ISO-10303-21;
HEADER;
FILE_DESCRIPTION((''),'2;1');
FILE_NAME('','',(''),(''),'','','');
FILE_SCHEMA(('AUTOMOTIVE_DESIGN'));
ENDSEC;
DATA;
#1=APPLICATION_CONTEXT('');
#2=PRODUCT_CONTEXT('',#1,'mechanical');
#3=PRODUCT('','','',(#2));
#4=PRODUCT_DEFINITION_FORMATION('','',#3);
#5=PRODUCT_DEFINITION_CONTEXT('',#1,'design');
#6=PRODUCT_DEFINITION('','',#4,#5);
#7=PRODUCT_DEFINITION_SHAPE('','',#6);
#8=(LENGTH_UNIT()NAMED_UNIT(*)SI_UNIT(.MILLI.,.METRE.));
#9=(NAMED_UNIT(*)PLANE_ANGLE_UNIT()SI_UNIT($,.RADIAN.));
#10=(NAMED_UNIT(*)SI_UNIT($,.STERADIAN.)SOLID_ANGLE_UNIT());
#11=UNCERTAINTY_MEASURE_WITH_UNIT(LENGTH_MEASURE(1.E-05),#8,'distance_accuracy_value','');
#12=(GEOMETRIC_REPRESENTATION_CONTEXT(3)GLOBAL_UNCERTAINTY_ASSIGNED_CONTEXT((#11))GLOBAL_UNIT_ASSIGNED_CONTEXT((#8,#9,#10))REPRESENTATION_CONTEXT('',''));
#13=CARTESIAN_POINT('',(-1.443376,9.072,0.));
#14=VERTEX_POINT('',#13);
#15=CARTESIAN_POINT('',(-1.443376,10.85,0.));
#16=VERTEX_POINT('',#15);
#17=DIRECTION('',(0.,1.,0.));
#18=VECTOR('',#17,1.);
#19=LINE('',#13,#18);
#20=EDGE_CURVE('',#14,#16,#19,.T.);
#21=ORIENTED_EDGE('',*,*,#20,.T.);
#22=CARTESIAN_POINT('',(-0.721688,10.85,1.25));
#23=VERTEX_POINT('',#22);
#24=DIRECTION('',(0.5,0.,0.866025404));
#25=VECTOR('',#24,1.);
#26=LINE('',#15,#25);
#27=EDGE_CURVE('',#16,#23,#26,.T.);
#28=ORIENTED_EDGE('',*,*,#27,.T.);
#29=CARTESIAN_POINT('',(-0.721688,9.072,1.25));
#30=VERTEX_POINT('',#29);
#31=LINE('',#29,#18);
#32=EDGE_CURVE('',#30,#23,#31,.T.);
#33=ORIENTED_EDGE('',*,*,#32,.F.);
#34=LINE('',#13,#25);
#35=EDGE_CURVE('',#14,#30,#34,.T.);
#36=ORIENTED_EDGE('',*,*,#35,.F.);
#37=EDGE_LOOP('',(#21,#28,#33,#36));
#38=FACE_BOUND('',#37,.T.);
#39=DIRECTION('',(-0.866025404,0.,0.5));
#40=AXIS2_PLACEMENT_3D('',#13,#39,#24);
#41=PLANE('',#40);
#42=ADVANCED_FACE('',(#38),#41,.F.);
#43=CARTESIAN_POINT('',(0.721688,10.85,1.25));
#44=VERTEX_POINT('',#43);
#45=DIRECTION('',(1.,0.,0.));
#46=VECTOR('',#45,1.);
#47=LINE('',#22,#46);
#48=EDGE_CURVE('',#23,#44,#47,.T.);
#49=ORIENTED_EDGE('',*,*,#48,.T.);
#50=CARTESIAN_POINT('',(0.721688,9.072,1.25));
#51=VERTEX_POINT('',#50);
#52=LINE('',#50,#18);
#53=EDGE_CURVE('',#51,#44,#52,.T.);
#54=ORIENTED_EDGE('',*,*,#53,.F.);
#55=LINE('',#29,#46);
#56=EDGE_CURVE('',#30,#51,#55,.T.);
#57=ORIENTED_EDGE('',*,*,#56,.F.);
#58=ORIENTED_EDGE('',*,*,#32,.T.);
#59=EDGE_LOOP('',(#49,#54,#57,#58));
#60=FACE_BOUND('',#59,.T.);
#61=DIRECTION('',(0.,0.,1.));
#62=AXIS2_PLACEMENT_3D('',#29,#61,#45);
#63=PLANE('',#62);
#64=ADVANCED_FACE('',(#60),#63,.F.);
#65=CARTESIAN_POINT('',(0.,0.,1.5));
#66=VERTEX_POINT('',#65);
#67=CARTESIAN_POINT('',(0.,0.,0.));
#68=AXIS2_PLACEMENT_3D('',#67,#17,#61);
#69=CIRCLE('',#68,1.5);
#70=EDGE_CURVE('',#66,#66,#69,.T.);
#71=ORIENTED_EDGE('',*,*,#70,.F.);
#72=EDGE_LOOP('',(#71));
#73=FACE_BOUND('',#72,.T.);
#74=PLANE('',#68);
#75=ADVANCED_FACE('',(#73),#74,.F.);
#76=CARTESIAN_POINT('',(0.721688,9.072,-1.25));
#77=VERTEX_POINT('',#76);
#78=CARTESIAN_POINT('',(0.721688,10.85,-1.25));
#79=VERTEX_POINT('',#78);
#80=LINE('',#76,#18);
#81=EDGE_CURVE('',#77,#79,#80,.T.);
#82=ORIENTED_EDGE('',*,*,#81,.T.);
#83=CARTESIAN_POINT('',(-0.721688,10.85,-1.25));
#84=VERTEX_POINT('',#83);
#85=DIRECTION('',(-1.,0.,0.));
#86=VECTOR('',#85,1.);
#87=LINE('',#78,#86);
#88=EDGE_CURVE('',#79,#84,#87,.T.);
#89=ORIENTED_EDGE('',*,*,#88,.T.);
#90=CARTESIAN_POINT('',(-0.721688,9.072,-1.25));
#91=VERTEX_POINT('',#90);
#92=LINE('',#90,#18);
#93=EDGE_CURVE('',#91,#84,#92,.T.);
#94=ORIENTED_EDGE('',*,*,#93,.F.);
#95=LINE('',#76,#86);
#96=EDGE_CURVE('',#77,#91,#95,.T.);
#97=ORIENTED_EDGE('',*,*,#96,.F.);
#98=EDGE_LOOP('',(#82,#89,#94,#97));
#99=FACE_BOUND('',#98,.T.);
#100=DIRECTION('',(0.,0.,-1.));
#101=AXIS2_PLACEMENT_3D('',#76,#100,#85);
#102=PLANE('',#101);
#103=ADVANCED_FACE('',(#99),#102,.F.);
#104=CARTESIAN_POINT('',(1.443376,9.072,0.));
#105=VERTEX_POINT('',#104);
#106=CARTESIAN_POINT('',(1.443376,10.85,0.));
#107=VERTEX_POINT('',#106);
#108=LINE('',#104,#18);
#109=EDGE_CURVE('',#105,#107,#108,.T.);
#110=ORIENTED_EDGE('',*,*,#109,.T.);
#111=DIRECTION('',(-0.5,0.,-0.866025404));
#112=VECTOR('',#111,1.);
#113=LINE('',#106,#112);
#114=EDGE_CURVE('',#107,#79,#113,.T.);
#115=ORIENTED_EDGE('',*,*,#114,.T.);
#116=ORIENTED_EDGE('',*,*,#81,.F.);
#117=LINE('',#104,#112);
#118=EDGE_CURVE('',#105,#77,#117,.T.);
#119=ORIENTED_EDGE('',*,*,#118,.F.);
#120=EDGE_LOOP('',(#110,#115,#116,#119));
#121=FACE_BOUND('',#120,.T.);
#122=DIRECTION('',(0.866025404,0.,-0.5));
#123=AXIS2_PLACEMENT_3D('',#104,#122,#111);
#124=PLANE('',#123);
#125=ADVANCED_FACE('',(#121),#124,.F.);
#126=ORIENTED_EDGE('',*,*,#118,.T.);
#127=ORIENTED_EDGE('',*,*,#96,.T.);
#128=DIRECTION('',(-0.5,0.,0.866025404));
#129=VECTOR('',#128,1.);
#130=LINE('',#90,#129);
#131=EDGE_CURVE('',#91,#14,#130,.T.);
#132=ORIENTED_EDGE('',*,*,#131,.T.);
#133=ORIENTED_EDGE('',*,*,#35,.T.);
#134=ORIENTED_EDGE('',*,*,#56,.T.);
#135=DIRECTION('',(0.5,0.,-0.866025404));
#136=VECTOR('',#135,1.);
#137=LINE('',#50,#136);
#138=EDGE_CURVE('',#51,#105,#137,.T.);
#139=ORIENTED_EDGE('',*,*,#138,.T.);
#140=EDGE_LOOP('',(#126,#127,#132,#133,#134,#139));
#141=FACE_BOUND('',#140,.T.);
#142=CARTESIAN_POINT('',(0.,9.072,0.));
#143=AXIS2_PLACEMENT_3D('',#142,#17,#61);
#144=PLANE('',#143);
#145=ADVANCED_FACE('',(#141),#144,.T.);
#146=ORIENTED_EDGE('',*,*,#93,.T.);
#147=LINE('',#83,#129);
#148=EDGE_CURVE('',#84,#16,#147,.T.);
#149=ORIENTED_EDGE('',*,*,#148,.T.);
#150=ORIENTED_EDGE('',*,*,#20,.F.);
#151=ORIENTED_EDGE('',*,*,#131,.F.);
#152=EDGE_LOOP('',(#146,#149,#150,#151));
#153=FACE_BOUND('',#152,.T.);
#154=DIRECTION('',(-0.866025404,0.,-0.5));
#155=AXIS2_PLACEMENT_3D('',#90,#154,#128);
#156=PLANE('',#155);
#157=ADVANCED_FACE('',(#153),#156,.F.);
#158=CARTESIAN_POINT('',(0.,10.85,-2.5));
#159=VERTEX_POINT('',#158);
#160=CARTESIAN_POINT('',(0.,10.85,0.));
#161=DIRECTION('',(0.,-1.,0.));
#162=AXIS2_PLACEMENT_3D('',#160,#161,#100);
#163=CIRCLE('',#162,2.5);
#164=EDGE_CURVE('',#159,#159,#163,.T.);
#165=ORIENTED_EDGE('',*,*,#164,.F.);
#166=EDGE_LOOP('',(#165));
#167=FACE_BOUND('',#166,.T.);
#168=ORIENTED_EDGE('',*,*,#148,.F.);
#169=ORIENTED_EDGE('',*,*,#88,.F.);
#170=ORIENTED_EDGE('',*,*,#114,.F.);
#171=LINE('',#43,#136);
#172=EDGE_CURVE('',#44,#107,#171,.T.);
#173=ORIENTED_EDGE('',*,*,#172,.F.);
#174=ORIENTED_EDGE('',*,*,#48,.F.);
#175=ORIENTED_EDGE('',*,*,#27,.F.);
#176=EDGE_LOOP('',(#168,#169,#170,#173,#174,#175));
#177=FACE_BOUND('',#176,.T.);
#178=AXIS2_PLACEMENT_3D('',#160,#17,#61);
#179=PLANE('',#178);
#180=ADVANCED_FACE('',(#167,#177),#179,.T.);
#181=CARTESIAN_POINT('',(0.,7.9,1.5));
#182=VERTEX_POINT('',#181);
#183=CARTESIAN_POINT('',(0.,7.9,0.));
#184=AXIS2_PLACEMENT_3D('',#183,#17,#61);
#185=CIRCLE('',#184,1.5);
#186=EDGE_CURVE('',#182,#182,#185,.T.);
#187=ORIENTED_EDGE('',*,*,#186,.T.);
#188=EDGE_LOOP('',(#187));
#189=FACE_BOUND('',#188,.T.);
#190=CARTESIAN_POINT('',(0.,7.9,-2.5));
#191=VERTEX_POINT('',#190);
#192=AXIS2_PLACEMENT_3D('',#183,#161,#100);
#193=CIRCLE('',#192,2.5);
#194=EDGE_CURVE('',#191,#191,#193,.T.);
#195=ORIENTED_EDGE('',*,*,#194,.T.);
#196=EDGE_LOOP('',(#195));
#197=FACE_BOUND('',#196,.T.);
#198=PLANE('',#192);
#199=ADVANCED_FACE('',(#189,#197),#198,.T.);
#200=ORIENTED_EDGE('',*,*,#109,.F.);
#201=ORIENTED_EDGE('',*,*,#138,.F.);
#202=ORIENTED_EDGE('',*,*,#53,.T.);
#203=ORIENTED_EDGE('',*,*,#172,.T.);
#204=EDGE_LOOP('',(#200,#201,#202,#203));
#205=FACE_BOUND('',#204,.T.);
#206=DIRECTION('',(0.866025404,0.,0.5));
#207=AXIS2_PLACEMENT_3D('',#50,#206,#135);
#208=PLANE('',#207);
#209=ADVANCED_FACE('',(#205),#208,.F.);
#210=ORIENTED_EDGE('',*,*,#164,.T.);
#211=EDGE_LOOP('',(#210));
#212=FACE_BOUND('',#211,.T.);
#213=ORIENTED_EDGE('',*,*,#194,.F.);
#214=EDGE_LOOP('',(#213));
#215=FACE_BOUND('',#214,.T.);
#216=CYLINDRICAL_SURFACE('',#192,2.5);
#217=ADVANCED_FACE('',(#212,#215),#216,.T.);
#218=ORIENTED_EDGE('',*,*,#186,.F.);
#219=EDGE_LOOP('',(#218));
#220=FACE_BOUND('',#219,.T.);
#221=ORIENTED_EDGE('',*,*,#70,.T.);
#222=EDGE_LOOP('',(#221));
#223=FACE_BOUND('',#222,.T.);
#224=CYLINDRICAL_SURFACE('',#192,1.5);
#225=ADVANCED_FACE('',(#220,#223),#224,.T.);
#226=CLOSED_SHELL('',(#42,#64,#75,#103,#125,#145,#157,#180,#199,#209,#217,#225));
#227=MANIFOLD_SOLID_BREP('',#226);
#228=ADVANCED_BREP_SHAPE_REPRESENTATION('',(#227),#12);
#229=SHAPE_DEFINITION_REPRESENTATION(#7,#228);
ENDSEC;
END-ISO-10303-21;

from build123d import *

# Parameters (mm, degrees)
SKETCH1_R           = 1.5
BOSS_EXTRUDE1_DEPTH = 7.9
SKETCH3_W           = 2.5
SKETCH3_H           = 2.95
CUT_EXTRUDE1_DEPTH  = 1.778


with BuildPart() as part:
    # Sketch1 → Boss-Extrude1 (new body)
    with BuildSketch(Plane(origin=(0, 0, 0), x_dir=(1, 0, 0), z_dir=(0, 1, 0))):
        Circle(SKETCH1_R)
    extrude(amount=BOSS_EXTRUDE1_DEPTH)

    # Sketch3 → Revolve1 (revolve)
    with BuildSketch(Plane.XY):
        with Locations((1.25, 9.375)):
            Rectangle(SKETCH3_W, SKETCH3_H)
    revolve(axis=Axis((0, 7.9, 0), (0, 1, 0)))

    # Sketch4 → Cut-Extrude1 (cut)
    with BuildSketch(Plane(origin=(0, 10.85, 0), x_dir=(1, 0, 0), z_dir=(0, 1, 0))):
        Polygon((1.443375673, 0), (0.721687836, 1.25), (-0.721687836, 1.25), (-1.443375673, 0), (-0.721687836, -1.25), (0.721687836, -1.25), align=None)
    extrude(amount=-CUT_EXTRUDE1_DEPTH, mode=Mode.SUBTRACT)


solid = part.part
